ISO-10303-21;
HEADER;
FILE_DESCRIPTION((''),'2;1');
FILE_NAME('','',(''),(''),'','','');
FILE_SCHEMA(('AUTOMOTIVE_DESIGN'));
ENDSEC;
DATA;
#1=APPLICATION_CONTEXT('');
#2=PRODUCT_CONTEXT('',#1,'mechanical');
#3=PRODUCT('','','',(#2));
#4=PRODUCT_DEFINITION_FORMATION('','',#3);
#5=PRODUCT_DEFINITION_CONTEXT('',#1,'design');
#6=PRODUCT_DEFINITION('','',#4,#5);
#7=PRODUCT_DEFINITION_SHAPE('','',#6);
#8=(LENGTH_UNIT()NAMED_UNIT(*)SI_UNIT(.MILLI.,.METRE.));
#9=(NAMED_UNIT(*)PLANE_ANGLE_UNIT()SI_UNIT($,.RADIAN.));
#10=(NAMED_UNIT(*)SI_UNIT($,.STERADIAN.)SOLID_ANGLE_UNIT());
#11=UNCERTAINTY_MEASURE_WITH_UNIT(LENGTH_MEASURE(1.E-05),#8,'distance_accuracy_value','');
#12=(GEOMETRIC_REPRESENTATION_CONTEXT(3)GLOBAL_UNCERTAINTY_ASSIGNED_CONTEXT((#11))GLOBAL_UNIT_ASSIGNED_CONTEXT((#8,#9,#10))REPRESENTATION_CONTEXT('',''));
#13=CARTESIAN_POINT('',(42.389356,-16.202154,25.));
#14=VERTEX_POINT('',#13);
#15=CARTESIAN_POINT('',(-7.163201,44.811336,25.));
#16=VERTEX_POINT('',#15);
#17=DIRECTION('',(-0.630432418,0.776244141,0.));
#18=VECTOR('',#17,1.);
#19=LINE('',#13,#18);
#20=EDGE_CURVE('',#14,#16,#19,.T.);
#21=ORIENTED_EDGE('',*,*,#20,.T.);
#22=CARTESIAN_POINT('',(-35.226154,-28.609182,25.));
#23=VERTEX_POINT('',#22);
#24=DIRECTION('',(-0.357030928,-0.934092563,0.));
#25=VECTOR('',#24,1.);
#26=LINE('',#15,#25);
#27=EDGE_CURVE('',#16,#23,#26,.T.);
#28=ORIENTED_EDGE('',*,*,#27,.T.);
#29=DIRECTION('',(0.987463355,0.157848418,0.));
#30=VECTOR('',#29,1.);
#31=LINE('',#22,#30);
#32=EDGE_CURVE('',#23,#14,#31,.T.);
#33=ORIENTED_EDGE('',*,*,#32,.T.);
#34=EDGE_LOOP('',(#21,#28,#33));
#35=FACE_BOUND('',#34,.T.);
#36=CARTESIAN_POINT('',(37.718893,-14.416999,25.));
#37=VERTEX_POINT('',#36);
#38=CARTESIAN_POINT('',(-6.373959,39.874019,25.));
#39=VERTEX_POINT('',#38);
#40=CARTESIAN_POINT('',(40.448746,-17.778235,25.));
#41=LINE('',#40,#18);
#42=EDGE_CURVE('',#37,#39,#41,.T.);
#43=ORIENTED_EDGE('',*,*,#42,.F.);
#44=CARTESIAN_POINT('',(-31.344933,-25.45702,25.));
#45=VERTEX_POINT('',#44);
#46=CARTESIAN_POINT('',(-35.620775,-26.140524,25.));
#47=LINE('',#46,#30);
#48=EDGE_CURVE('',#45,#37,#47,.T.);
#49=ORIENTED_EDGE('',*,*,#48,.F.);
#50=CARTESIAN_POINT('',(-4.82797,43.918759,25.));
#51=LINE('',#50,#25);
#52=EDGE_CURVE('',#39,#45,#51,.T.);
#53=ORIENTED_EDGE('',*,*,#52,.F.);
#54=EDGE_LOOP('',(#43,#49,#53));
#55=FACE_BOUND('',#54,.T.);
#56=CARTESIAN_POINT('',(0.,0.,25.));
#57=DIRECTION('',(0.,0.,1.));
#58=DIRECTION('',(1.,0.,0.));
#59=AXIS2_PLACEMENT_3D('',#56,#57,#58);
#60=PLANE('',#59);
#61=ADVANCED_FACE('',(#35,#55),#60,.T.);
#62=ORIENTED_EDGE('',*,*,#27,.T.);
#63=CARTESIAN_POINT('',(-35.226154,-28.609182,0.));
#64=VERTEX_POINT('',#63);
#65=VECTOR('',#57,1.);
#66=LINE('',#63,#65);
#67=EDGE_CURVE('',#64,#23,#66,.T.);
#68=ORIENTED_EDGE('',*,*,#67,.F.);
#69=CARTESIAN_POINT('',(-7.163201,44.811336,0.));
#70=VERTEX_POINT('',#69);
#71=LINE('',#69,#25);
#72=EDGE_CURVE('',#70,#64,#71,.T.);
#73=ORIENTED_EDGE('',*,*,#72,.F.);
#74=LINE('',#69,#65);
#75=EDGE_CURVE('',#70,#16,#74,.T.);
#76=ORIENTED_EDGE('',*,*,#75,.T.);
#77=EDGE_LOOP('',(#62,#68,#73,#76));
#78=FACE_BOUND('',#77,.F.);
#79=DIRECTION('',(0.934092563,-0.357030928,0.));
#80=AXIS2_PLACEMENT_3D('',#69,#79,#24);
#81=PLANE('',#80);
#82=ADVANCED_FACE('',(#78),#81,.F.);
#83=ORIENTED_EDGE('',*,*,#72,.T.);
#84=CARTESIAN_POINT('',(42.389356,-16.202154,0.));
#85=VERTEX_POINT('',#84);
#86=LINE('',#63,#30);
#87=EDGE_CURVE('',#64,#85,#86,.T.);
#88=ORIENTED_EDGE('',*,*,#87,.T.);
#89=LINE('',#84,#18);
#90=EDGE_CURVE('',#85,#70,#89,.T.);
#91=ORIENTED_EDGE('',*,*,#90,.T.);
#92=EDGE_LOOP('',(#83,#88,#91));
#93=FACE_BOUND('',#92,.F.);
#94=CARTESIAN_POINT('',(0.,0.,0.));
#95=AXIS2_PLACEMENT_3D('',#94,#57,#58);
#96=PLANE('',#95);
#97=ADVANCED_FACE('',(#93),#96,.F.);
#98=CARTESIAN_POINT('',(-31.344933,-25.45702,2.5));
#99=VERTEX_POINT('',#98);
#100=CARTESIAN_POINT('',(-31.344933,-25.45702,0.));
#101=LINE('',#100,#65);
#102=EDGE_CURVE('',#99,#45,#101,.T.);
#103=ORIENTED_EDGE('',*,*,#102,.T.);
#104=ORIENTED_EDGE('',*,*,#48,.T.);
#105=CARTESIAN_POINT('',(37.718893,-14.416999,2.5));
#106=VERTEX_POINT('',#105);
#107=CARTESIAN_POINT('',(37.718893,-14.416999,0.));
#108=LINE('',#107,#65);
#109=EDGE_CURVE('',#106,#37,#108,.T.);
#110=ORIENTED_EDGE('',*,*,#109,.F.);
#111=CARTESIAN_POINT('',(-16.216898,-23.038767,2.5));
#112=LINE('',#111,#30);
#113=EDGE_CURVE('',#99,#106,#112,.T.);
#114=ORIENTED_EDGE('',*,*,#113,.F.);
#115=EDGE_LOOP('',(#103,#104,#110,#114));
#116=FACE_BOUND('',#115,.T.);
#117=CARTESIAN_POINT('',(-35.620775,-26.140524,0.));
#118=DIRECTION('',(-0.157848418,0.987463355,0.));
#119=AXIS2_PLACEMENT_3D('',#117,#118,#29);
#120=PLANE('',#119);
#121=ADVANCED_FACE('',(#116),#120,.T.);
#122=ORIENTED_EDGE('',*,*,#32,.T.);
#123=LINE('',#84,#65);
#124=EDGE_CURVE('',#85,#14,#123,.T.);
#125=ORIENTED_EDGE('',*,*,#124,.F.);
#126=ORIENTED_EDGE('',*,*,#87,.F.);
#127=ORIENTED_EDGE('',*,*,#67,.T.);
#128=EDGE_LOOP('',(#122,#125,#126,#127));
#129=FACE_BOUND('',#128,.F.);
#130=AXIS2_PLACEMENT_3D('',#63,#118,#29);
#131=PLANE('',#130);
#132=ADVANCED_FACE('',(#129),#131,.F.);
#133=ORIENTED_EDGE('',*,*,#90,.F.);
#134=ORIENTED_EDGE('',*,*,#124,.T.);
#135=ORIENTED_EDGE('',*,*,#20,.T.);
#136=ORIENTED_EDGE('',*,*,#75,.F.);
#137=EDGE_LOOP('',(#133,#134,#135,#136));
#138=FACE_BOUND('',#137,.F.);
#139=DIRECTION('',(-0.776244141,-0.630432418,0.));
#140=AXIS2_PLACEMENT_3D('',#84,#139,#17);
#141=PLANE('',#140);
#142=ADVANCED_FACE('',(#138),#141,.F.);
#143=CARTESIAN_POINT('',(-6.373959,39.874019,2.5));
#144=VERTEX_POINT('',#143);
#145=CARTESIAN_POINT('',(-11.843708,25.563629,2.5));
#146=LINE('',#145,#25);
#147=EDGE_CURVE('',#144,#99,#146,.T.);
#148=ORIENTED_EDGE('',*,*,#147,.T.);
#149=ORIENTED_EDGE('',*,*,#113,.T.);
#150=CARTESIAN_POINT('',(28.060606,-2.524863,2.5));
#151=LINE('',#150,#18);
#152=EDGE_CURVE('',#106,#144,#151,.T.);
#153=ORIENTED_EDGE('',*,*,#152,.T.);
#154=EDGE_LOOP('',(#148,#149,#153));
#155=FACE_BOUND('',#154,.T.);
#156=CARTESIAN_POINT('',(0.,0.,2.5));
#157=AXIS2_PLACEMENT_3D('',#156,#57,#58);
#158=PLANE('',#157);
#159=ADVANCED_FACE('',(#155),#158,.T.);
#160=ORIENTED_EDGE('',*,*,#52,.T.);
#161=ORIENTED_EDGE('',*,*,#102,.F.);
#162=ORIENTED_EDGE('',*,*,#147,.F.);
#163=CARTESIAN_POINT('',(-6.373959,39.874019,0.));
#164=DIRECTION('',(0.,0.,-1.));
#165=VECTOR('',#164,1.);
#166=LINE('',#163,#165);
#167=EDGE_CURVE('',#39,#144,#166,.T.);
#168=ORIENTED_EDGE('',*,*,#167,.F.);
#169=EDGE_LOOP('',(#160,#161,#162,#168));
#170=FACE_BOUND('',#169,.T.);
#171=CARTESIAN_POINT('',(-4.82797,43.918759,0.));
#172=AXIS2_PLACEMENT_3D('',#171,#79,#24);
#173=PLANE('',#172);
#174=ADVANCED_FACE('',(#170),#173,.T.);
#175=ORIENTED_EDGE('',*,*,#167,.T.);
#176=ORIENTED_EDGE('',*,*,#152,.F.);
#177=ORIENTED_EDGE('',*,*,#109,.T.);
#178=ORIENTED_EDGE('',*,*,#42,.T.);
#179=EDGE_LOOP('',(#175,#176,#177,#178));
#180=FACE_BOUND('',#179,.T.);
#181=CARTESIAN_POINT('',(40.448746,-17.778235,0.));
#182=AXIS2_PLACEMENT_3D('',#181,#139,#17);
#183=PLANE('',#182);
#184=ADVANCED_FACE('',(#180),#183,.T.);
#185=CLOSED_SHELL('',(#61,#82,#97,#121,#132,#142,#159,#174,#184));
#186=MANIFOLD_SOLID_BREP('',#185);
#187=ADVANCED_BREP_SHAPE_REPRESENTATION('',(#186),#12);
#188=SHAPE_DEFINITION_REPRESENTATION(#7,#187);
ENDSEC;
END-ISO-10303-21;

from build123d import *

# Parameters (mm, degrees)
F1_DEPTH = 25
F2_T     = -2.5


with BuildPart() as f1:
    # F0 (on Top) → F1 (new body)
    with BuildSketch(Plane.XY):
        Polygon((-7.163201, 44.811336), (-35.226154, -28.609182), (42.389356, -16.202154), align=None)
    extrude(amount=F1_DEPTH)

    # F2
    f2_openings = [f1.faces().sort_by_distance(p)[0] for p in [
        (0, 0, 25),
    ]]
    offset(amount=F2_T, openings=f2_openings)


solid = f1.part
